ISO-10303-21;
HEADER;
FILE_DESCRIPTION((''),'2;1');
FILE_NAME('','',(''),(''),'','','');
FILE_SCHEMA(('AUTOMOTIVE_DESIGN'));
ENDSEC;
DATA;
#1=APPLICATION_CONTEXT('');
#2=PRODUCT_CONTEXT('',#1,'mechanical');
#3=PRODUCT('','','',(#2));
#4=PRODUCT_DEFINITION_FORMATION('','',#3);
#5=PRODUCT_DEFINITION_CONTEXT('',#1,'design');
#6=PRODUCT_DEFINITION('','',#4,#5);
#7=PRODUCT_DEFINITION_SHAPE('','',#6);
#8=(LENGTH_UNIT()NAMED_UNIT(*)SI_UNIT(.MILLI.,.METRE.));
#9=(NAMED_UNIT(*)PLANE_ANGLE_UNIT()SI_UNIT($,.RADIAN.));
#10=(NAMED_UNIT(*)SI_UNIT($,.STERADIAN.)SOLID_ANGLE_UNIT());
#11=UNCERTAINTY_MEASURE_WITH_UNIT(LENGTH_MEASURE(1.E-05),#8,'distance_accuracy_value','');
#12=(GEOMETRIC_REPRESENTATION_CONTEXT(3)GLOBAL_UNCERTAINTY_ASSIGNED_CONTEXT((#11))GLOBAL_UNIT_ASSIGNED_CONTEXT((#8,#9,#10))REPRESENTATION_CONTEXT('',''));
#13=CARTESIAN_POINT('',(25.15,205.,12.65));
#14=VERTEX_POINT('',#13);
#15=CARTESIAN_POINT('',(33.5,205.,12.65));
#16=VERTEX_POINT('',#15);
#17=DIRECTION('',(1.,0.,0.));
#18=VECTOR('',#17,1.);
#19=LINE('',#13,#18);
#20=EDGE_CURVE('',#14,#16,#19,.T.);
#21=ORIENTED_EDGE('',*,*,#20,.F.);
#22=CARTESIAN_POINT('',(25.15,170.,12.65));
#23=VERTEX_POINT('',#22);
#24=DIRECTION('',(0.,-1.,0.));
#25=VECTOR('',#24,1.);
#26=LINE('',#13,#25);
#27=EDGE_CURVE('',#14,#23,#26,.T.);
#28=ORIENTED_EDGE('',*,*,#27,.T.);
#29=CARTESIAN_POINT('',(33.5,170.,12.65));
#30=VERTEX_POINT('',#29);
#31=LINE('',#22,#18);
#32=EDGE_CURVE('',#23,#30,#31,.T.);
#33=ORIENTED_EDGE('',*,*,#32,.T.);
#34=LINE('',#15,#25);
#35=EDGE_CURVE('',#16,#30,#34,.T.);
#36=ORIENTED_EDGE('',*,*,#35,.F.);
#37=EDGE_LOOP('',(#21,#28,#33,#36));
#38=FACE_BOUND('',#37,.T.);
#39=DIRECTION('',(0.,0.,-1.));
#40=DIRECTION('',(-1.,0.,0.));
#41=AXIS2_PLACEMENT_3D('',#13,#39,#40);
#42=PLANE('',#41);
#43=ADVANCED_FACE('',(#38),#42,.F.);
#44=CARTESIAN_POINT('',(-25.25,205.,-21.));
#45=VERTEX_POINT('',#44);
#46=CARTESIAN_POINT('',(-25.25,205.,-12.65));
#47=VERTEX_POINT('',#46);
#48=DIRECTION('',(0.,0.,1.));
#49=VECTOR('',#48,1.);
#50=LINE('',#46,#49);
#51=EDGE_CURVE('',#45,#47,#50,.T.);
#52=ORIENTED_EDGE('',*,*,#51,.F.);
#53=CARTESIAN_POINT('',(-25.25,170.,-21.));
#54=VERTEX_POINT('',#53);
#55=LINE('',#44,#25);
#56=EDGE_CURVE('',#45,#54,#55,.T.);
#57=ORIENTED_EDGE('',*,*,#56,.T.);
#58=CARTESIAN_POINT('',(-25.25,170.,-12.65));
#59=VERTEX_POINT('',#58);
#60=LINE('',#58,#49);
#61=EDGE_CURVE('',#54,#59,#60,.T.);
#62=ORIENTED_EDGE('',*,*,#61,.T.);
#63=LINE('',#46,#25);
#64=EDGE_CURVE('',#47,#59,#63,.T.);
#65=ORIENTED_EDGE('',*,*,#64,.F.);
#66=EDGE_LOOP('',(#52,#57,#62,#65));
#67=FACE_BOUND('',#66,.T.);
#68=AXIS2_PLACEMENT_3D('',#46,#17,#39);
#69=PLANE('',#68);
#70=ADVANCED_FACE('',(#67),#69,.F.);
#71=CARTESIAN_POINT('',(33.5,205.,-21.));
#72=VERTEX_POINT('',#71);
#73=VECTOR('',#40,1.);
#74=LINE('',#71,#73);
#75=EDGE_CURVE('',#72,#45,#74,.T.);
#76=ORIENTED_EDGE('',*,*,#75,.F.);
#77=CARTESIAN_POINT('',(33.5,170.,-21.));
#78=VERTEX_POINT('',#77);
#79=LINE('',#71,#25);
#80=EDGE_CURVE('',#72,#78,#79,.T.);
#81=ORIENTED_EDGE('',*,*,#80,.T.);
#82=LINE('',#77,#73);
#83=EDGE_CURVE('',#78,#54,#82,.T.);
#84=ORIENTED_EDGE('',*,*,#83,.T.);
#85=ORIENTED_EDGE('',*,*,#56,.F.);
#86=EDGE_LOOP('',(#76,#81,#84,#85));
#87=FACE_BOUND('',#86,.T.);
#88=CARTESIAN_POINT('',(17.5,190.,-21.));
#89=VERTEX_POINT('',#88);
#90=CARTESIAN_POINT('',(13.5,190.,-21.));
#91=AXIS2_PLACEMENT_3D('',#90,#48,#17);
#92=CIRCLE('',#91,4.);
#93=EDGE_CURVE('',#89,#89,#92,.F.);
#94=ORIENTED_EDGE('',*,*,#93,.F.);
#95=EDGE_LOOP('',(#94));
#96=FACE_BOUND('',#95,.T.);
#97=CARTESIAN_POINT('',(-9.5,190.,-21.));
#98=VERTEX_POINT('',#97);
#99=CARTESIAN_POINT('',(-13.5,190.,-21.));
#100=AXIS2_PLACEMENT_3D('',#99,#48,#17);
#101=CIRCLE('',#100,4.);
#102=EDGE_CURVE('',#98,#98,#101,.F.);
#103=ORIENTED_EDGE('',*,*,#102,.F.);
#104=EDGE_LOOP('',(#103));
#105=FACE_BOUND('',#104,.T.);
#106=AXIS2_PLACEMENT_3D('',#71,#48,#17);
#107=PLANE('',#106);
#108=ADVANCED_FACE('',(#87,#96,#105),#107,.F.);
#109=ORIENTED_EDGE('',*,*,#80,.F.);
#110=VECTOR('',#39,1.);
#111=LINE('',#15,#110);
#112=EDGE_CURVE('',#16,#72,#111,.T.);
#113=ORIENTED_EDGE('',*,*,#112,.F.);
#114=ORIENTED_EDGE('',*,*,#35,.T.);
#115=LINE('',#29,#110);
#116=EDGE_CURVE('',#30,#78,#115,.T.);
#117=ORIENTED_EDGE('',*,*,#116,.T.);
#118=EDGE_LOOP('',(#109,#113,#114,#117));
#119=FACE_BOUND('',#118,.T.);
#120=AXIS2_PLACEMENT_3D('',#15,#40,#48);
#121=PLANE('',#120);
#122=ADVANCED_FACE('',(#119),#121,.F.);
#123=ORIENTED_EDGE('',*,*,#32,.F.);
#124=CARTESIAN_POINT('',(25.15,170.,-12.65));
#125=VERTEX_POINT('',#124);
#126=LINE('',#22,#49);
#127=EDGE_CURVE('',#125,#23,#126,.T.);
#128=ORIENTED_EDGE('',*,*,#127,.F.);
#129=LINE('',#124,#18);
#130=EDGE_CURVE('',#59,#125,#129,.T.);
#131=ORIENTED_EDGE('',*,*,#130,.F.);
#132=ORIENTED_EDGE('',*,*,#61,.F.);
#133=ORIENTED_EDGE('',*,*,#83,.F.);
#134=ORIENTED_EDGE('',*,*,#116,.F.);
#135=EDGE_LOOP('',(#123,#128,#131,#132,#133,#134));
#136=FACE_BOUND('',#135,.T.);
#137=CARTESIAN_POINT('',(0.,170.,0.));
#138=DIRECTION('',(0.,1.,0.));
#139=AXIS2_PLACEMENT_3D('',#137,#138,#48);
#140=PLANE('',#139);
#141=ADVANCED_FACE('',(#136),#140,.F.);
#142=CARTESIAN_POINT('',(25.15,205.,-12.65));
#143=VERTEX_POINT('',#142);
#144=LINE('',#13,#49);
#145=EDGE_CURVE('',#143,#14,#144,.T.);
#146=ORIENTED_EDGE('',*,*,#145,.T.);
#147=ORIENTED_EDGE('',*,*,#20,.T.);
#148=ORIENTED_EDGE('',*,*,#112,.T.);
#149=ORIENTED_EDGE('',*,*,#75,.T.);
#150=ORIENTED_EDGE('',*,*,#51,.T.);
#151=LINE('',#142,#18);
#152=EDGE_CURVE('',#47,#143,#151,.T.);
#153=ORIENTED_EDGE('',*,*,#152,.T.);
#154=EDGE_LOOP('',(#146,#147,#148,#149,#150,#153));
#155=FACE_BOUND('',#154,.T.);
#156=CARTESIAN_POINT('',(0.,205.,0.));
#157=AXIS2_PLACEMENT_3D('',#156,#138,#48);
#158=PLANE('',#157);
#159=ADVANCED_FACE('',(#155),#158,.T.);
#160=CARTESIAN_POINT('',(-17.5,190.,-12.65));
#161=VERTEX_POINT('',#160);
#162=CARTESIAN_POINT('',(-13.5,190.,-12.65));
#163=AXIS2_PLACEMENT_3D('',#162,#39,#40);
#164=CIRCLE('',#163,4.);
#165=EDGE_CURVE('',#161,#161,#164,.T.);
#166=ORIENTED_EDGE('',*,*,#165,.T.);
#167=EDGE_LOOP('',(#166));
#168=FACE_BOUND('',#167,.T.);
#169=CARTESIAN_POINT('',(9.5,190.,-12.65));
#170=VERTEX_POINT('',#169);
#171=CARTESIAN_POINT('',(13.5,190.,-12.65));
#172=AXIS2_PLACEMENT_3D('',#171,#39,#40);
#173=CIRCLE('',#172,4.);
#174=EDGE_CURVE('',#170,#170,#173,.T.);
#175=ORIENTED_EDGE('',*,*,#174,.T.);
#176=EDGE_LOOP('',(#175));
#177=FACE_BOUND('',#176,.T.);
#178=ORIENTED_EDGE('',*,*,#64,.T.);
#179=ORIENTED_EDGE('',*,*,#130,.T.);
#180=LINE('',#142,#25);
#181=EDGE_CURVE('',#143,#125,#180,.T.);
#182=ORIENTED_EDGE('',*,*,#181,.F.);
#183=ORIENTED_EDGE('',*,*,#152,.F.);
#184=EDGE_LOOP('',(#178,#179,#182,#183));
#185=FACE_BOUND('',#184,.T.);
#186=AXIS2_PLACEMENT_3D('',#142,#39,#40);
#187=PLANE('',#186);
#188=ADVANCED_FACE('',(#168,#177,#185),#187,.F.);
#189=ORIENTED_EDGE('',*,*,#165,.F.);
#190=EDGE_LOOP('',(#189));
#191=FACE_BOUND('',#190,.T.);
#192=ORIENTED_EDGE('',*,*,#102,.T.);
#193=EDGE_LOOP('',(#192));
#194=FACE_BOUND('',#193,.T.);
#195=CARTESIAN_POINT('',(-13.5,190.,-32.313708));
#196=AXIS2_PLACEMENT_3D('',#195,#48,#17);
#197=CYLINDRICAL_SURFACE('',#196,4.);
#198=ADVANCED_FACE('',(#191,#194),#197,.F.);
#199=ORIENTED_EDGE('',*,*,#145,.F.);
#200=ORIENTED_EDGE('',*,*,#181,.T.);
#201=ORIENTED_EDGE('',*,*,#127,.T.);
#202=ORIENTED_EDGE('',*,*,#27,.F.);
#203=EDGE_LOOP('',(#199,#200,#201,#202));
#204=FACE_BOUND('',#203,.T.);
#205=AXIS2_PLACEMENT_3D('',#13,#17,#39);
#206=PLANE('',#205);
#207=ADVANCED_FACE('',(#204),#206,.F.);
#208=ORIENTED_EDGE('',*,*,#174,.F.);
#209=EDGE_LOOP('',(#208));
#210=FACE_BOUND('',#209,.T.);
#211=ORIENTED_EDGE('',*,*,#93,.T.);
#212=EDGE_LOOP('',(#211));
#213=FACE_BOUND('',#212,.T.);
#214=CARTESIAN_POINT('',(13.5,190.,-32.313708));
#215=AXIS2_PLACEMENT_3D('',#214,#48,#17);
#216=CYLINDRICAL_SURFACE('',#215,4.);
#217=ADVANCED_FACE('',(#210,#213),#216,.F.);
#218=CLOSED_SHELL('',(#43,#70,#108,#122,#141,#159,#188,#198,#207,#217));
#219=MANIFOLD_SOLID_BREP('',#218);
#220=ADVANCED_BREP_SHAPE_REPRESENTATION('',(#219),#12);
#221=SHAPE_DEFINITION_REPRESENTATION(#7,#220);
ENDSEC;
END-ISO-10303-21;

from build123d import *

# Parameters (mm, degrees)
AUFSATZ_LINEAR_START            = 170
AUFSATZ_LINEAR_AUSTRAGEN1_DEPTH = 35
SKIZZE6_R                       = 4
SCHNITT_LINEAR_AUSTRAGEN1_DEPTH = 21


with BuildPart() as part:
    # Skizze4 → Aufsatz-Linear austragen1 (new body)
    with BuildSketch(Plane(origin=(0, 0, 0), x_dir=(1, 0, 0), z_dir=(0, 1, 0)).offset(AUFSATZ_LINEAR_START)):
        Polygon((25.15, -12.65), (33.5, -12.65), (33.5, 21), (-25.25, 21), (-25.25, 12.65), (25.15, 12.65), align=None)
    extrude(amount=AUFSATZ_LINEAR_AUSTRAGEN1_DEPTH)

    # Skizze6 → Schnitt-Linear austragen1 (cut)
    with BuildSketch(Plane.XY):
        with Locations((-13.5, 190)):
            Circle(SKIZZE6_R)
        with Locations((13.5, 190)):
            Circle(SKIZZE6_R)
    extrude(amount=-SCHNITT_LINEAR_AUSTRAGEN1_DEPTH, mode=Mode.SUBTRACT)


solid = part.part
